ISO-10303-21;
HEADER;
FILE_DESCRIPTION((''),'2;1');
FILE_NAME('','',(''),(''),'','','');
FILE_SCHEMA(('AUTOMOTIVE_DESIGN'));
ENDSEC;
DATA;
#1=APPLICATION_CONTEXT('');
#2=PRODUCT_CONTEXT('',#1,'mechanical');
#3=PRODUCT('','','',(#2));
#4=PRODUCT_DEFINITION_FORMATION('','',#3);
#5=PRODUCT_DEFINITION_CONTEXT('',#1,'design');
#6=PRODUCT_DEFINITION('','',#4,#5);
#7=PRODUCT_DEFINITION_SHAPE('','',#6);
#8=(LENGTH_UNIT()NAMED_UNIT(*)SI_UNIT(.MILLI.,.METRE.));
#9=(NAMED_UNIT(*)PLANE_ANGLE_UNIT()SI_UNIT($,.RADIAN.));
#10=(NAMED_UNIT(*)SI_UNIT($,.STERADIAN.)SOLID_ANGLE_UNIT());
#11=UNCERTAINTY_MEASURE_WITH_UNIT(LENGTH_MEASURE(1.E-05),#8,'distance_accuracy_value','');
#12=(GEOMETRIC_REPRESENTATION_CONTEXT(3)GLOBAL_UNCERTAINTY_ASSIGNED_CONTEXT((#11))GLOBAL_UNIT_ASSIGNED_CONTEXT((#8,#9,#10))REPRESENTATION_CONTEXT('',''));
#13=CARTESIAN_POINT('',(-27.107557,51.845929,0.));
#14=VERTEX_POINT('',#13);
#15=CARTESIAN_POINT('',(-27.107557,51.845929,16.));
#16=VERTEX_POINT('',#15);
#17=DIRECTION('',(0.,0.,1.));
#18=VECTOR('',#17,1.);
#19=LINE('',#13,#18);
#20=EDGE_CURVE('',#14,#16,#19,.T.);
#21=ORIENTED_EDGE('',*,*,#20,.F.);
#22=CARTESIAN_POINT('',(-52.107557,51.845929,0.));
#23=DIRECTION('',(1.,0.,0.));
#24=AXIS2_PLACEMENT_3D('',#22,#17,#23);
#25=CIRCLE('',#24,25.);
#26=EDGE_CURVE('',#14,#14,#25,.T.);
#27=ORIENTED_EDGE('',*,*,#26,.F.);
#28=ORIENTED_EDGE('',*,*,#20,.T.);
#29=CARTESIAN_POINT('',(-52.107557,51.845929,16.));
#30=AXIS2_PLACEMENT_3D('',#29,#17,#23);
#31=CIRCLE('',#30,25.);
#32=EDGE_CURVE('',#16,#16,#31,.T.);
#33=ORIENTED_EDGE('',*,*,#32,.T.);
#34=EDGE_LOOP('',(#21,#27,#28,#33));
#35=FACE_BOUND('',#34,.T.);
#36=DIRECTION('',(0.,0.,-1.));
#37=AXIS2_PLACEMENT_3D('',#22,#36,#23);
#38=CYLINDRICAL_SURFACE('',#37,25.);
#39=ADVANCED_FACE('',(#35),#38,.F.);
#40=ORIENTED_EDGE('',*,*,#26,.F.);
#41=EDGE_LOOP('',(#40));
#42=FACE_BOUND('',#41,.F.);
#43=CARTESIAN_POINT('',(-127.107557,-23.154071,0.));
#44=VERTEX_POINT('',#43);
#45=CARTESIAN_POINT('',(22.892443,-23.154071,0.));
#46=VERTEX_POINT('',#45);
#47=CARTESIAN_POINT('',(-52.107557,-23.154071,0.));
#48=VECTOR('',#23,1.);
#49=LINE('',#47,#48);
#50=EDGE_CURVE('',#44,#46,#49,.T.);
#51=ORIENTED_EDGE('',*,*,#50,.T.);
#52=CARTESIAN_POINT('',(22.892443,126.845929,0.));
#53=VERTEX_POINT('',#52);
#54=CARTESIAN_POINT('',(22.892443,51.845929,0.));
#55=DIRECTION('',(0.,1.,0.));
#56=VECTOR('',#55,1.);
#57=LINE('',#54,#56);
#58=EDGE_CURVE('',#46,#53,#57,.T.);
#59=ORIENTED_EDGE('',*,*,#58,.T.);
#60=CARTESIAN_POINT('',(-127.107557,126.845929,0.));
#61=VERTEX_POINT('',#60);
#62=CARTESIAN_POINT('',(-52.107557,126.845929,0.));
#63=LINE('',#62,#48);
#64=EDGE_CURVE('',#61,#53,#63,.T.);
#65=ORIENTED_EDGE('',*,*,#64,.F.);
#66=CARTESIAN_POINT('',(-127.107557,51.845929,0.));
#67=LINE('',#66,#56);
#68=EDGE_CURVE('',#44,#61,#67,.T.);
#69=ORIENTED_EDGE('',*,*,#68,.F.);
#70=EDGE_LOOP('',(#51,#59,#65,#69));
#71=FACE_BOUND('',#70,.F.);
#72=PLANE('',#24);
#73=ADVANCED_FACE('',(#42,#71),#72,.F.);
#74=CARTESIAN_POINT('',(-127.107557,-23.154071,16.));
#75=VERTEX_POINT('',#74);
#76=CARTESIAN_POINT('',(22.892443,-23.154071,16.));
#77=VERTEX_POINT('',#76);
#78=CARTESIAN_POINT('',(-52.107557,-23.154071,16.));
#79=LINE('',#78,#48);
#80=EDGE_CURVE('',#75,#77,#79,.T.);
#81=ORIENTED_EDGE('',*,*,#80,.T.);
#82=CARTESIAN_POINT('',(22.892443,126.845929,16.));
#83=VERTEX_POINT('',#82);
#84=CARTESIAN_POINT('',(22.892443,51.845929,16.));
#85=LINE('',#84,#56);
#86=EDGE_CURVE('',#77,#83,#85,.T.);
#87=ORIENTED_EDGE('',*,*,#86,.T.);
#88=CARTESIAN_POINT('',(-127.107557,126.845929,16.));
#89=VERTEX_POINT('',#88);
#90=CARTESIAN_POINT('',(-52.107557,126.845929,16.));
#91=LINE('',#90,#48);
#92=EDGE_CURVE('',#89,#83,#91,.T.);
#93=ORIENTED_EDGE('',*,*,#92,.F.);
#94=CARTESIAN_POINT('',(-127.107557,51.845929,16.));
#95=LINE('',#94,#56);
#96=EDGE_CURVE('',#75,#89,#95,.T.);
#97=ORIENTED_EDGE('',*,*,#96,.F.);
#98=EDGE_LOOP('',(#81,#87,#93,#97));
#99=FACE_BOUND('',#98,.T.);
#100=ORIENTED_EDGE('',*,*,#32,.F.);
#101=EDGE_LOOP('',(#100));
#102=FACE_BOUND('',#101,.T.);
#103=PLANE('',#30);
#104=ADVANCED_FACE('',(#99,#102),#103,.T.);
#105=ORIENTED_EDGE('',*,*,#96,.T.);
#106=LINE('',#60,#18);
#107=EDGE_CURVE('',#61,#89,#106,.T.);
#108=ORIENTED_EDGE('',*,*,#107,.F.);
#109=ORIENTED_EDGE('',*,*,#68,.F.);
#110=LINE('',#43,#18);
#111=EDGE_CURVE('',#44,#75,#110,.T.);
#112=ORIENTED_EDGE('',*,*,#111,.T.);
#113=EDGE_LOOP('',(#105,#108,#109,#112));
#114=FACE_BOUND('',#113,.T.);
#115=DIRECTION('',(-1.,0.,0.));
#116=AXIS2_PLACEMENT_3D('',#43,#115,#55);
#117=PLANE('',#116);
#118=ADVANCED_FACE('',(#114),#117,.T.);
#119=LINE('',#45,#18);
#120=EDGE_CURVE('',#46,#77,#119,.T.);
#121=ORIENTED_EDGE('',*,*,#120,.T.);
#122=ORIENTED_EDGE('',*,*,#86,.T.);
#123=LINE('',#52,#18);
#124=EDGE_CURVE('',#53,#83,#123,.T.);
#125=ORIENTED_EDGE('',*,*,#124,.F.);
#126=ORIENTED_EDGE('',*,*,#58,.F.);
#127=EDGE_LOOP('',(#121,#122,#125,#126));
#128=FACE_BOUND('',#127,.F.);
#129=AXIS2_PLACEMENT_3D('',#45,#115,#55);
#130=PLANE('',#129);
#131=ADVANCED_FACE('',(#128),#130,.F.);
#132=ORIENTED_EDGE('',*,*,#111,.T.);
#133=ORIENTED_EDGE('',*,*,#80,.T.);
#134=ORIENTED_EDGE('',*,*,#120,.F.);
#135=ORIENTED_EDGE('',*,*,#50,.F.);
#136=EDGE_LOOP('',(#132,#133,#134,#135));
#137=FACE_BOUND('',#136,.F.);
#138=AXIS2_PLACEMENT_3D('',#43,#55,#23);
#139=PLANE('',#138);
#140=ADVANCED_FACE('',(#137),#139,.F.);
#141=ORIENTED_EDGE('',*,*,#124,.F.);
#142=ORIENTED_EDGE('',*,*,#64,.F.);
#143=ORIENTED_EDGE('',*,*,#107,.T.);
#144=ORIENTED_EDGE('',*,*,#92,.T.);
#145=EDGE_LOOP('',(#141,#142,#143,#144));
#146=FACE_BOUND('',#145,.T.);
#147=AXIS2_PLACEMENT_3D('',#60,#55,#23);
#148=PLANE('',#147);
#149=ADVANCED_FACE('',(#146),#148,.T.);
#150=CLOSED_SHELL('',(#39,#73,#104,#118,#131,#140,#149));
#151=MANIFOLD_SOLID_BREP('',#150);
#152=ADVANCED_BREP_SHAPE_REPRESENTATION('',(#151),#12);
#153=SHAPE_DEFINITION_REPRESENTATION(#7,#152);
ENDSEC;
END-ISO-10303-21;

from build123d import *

# Parameters (mm, degrees)
F0_W     = 150
F0_H     = 150
F0_R     = 25
F1_DEPTH = 16


with BuildPart() as f1:
    # F0 (on Top) → F1 (new body)
    with BuildSketch(Plane.XY):
        with Locations((-52.107557, 51.845929)):
            Rectangle(F0_W, F0_H)
        with Locations((-52.107557, 51.845929)):
            Circle(F0_R, mode=Mode.SUBTRACT)
    extrude(amount=F1_DEPTH)


solid = f1.part
